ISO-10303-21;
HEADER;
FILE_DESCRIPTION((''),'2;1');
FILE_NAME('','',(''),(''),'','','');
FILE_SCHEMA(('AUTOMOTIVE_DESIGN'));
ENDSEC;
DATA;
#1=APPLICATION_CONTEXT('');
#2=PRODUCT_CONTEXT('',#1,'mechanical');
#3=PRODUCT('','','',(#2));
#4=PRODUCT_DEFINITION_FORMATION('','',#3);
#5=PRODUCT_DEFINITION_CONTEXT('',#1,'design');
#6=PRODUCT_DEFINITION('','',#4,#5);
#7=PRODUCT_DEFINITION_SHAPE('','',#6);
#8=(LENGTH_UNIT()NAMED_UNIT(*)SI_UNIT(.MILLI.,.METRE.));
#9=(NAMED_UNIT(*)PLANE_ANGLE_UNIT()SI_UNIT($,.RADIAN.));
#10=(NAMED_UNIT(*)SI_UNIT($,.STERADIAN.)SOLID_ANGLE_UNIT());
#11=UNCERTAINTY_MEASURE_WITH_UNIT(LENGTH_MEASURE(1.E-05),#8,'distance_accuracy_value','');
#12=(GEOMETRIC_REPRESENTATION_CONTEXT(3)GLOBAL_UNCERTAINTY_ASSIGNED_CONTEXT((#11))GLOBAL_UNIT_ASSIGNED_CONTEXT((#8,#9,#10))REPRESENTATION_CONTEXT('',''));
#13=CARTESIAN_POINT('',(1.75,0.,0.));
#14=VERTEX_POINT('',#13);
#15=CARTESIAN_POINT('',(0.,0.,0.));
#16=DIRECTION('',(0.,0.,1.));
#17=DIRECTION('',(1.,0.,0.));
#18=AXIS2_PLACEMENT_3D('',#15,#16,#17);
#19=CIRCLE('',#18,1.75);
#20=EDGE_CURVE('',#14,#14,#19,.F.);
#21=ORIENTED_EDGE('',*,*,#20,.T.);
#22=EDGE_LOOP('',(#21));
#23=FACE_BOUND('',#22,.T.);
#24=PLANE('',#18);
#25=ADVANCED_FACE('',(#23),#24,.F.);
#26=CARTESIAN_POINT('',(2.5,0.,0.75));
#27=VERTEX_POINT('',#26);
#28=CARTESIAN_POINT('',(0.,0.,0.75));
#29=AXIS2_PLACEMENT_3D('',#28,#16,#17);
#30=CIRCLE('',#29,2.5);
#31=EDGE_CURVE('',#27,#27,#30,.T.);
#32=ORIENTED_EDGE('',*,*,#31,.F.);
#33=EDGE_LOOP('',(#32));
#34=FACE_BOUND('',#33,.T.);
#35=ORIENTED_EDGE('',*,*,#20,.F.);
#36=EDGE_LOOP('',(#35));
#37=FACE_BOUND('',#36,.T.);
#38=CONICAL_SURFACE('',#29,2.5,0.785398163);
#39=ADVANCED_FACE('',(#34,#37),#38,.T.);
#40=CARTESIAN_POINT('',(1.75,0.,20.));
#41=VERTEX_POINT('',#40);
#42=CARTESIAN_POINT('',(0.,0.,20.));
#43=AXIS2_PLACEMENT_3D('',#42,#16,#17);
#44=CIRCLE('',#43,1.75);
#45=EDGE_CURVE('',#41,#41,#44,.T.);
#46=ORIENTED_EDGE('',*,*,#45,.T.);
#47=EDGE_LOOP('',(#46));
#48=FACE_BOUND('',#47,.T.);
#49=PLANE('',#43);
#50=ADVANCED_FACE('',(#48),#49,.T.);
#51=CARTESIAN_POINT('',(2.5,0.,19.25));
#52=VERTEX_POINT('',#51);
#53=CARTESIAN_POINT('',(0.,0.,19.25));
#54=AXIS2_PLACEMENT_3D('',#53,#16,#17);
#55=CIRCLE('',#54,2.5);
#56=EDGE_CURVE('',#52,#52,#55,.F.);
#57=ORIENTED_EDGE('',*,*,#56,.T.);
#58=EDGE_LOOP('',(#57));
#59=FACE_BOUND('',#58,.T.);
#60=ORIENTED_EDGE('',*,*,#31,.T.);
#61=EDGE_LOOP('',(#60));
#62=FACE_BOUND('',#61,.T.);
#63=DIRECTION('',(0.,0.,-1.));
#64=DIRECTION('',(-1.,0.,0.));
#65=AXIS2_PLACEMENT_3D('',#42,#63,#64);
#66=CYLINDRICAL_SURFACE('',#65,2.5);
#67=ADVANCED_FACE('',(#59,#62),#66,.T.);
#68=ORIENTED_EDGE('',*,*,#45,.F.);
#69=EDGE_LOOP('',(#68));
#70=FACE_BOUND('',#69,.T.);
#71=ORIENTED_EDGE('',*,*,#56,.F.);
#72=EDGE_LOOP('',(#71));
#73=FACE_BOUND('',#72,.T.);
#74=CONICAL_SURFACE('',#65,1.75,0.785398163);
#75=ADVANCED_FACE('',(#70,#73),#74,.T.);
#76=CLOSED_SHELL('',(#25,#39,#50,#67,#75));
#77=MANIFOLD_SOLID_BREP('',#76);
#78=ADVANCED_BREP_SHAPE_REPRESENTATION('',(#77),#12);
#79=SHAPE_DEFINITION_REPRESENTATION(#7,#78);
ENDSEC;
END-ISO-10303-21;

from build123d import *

# Parameters (mm, degrees)
SKETCH_1_R      = 2.5
EXTRUDE_1_DEPTH = 20
CHAMFER_1_SIZE  = 0.75


with BuildPart() as part:
    # Эскиз1 → Бобышка-Вытянуть1 (new body)
    with BuildSketch(Plane.XY):
        Circle(SKETCH_1_R)
    extrude(amount=EXTRUDE_1_DEPTH)

    # Фаска1
    chamfer_1_edges = [part.edges().sort_by_distance(p)[0] for p in [
        (-2.5, 0, 0),
        (-2.5, 0, 20),
    ]]
    chamfer(chamfer_1_edges, length=CHAMFER_1_SIZE)


solid = part.part
